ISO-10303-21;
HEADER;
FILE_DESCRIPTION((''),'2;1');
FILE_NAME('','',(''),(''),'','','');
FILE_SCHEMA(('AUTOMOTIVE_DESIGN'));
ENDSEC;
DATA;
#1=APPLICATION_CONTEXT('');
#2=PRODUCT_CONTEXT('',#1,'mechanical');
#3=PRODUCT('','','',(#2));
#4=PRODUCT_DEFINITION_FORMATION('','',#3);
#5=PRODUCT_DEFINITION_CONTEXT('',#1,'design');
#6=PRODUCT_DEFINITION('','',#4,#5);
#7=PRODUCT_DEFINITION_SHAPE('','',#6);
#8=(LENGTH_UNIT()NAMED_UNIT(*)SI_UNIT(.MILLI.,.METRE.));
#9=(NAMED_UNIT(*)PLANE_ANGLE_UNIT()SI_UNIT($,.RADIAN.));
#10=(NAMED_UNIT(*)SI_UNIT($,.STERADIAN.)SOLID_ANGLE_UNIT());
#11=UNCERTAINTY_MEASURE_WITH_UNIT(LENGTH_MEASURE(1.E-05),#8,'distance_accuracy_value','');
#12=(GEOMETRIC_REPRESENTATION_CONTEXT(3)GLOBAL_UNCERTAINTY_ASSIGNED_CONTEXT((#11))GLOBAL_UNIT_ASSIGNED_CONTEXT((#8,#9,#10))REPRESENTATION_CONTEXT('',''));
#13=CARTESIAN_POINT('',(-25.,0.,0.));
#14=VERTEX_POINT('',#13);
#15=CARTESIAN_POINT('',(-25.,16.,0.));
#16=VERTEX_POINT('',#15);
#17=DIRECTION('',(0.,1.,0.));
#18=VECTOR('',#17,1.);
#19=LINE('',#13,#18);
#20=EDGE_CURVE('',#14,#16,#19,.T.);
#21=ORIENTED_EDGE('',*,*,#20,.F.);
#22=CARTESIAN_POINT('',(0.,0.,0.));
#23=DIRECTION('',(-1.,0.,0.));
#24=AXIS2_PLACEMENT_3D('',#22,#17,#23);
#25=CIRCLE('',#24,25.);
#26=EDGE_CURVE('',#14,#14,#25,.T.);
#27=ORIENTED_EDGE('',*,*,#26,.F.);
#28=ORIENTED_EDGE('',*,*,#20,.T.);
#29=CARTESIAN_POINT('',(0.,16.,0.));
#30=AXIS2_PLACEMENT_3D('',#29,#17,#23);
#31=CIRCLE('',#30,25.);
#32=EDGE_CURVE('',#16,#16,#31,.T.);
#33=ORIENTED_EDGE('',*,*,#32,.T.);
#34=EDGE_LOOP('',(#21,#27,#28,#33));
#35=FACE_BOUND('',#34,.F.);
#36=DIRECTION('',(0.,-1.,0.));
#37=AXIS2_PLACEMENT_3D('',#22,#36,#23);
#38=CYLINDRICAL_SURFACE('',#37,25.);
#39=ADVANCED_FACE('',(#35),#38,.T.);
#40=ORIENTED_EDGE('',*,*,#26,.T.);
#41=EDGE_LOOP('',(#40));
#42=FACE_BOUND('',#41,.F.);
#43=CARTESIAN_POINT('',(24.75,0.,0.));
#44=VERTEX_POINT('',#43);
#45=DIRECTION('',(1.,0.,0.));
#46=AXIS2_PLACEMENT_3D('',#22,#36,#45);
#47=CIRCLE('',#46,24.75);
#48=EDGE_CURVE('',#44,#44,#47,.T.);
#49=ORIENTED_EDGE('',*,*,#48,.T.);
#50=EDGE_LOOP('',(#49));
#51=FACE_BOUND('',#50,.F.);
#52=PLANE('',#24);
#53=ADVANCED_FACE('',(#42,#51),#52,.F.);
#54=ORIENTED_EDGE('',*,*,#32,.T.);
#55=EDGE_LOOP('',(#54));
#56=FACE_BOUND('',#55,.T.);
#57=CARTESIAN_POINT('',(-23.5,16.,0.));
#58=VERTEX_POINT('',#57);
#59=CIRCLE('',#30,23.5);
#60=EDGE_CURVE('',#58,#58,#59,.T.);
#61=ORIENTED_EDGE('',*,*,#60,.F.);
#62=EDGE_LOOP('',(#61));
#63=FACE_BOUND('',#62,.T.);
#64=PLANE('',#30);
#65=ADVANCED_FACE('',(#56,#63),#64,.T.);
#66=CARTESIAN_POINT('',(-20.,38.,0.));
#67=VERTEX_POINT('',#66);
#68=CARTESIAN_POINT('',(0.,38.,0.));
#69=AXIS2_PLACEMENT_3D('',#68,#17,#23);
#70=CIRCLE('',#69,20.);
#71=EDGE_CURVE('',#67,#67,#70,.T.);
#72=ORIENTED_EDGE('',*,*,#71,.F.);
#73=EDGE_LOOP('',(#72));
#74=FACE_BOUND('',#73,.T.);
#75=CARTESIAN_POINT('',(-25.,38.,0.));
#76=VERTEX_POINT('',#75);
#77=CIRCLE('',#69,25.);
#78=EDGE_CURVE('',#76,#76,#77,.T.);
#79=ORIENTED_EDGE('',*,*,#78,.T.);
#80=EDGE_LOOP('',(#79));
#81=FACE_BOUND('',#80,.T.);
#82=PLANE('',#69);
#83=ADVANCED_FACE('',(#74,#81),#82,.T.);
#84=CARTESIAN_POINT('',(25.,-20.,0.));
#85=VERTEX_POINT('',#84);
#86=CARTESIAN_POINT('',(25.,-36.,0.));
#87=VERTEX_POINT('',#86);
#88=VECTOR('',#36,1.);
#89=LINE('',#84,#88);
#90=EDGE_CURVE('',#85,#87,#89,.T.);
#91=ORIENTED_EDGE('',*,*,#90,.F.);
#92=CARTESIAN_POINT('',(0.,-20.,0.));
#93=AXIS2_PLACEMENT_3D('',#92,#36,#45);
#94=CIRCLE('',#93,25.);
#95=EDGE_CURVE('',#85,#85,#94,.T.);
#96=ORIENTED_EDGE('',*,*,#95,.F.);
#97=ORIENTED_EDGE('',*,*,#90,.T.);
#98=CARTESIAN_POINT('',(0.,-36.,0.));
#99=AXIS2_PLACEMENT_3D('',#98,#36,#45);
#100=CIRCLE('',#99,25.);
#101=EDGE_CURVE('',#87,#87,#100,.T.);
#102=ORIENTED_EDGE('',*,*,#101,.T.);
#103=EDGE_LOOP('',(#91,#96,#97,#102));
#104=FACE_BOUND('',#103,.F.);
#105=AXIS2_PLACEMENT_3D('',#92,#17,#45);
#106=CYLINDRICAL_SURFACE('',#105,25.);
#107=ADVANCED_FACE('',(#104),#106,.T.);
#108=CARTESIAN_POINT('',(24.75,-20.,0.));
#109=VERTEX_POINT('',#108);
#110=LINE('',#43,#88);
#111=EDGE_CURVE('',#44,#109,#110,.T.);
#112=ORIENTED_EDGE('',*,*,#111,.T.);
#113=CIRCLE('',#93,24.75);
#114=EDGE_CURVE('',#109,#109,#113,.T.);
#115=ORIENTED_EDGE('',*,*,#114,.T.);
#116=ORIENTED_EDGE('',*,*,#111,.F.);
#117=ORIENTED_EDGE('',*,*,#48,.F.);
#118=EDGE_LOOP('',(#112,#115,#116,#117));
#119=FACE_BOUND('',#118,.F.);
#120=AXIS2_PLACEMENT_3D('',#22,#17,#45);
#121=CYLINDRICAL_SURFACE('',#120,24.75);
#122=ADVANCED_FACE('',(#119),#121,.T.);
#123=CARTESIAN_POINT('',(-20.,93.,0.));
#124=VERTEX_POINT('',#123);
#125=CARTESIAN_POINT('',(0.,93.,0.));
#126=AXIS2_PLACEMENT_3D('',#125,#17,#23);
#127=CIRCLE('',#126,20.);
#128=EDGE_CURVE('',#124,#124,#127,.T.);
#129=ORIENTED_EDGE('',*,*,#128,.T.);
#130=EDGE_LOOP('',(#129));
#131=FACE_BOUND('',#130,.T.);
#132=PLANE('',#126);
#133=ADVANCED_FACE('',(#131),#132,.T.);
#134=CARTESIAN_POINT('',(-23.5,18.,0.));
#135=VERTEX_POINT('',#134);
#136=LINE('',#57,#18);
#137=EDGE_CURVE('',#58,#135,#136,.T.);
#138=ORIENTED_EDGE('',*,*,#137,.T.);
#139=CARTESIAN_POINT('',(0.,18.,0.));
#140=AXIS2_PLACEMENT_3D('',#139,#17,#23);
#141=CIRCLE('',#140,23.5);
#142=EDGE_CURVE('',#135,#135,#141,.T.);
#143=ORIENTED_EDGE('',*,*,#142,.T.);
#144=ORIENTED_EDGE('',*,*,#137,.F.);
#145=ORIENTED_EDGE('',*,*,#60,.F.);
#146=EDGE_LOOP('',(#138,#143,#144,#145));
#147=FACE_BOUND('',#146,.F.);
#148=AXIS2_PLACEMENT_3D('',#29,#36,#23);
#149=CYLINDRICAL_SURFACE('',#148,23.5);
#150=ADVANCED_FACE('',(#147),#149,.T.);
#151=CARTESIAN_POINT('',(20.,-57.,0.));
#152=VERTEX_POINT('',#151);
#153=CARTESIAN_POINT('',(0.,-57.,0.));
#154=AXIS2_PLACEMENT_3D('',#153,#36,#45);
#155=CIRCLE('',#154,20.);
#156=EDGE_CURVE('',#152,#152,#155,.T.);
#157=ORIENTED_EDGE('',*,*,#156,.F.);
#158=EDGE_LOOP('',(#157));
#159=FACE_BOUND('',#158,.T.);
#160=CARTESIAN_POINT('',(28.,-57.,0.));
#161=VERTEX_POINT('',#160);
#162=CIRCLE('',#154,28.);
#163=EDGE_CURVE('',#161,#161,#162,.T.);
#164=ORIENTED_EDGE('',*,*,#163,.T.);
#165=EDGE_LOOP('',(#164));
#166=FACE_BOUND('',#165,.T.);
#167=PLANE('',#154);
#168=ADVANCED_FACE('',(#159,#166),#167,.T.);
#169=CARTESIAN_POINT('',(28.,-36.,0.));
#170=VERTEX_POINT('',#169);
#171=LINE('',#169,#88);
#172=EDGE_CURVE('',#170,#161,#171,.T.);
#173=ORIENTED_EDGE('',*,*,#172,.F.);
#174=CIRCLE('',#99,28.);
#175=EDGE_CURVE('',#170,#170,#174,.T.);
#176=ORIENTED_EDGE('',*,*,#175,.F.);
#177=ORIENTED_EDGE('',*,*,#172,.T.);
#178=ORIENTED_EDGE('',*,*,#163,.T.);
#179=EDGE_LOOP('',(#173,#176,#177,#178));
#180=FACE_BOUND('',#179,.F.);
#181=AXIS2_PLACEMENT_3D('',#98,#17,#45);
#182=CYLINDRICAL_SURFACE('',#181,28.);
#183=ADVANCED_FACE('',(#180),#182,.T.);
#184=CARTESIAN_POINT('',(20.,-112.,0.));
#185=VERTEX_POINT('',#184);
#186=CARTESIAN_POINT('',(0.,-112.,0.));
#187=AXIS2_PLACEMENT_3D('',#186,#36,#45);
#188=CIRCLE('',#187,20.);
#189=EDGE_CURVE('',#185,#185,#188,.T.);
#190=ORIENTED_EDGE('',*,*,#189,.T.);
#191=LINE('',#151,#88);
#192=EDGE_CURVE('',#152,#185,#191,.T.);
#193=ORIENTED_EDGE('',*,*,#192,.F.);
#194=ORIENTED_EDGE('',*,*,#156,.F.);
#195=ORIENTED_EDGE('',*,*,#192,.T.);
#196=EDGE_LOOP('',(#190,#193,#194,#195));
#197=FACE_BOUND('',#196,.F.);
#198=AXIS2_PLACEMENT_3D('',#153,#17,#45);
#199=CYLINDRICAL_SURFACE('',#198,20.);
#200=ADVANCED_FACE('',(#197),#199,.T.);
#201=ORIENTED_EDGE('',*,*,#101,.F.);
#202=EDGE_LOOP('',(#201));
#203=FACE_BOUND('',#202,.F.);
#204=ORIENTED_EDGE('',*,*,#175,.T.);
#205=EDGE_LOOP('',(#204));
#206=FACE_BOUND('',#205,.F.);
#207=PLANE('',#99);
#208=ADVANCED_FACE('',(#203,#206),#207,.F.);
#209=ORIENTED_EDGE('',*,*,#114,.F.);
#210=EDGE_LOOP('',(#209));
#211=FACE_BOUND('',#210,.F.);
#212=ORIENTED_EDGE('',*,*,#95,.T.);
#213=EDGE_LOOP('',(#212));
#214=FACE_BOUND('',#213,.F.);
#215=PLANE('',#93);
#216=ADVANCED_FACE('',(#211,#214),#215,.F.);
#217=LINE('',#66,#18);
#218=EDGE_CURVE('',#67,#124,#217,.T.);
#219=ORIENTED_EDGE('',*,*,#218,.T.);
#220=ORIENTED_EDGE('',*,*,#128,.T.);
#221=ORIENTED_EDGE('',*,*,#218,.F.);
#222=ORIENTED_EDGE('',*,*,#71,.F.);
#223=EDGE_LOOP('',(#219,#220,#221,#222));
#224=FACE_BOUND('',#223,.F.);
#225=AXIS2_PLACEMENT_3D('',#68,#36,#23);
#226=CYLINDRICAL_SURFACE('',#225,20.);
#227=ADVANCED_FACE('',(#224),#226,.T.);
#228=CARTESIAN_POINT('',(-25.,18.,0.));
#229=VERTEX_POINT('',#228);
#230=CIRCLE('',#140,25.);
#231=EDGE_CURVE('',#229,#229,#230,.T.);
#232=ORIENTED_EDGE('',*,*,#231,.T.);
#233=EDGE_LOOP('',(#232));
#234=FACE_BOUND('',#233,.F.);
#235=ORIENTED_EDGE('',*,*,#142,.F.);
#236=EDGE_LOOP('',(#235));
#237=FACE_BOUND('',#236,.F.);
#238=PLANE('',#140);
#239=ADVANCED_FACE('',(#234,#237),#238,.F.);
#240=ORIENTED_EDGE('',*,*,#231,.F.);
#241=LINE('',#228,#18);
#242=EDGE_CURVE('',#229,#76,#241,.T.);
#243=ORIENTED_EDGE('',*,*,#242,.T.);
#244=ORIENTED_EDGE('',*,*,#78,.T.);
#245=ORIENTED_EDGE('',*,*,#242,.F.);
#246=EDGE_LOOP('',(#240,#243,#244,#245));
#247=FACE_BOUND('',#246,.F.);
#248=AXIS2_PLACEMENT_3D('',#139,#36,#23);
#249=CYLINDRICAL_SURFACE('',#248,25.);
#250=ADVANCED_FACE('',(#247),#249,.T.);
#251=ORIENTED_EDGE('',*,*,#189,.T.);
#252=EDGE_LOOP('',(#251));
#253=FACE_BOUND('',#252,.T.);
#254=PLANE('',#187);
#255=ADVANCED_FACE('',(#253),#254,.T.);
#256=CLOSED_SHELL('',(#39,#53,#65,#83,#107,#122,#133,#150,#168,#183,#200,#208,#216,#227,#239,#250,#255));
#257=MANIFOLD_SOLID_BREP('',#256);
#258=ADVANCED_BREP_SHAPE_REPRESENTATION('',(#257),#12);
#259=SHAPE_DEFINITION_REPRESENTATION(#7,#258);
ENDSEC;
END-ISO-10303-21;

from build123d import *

# Parameters (mm, degrees)
F0_R      = 24.75
F1_DEPTH  = 20
F2_R      = 25
F3_DEPTH  = 16
F4_R      = 25
F5_DEPTH  = 16
F6_R      = 28
F7_DEPTH  = 21
F8_R      = 20
F9_DEPTH  = 55
F10_R     = 23.5
F11_DEPTH = 2
F12_R     = 25
F13_DEPTH = 20
F14_R     = 20
F15_DEPTH = 55


with BuildPart() as f1:
    # F0 (on Front) → F1 (new body)
    with BuildSketch(Plane.XZ):
        Circle(F0_R)
    extrude(amount=F1_DEPTH)

    # F2 (on face) → F3 (join)
    with BuildSketch(Plane.XZ.offset(20)):
        Circle(F2_R)
    extrude(amount=F3_DEPTH)

    # F4 (on face) → F5 (join)
    with BuildSketch(Plane(origin=(0, 0, 0), x_dir=(-1, 0, 0), z_dir=(0, 1, 0))):
        Circle(F4_R)
    extrude(amount=F5_DEPTH)

    # F6 (on face) → F7 (join)
    with BuildSketch(Plane.XZ.offset(36)):
        Circle(F6_R)
    extrude(amount=F7_DEPTH)

    # F8 (on face) → F9 (join)
    with BuildSketch(Plane.XZ.offset(57)):
        Circle(F8_R)
    extrude(amount=F9_DEPTH)

    # F10 (on face) → F11 (join)
    with BuildSketch(Plane(origin=(0, 16, 0), x_dir=(-1, 0, 0), z_dir=(0, 1, 0))):
        Circle(F10_R)
    extrude(amount=F11_DEPTH)

    # F12 (on face) → F13 (join)
    with BuildSketch(Plane(origin=(0, 18, 0), x_dir=(-1, 0, 0), z_dir=(0, 1, 0))):
        Circle(F12_R)
    extrude(amount=F13_DEPTH)

    # F14 (on face) → F15 (join)
    with BuildSketch(Plane(origin=(0, 38, 0), x_dir=(-1, 0, 0), z_dir=(0, 1, 0))):
        Circle(F14_R)
    extrude(amount=F15_DEPTH)


solid = f1.part
